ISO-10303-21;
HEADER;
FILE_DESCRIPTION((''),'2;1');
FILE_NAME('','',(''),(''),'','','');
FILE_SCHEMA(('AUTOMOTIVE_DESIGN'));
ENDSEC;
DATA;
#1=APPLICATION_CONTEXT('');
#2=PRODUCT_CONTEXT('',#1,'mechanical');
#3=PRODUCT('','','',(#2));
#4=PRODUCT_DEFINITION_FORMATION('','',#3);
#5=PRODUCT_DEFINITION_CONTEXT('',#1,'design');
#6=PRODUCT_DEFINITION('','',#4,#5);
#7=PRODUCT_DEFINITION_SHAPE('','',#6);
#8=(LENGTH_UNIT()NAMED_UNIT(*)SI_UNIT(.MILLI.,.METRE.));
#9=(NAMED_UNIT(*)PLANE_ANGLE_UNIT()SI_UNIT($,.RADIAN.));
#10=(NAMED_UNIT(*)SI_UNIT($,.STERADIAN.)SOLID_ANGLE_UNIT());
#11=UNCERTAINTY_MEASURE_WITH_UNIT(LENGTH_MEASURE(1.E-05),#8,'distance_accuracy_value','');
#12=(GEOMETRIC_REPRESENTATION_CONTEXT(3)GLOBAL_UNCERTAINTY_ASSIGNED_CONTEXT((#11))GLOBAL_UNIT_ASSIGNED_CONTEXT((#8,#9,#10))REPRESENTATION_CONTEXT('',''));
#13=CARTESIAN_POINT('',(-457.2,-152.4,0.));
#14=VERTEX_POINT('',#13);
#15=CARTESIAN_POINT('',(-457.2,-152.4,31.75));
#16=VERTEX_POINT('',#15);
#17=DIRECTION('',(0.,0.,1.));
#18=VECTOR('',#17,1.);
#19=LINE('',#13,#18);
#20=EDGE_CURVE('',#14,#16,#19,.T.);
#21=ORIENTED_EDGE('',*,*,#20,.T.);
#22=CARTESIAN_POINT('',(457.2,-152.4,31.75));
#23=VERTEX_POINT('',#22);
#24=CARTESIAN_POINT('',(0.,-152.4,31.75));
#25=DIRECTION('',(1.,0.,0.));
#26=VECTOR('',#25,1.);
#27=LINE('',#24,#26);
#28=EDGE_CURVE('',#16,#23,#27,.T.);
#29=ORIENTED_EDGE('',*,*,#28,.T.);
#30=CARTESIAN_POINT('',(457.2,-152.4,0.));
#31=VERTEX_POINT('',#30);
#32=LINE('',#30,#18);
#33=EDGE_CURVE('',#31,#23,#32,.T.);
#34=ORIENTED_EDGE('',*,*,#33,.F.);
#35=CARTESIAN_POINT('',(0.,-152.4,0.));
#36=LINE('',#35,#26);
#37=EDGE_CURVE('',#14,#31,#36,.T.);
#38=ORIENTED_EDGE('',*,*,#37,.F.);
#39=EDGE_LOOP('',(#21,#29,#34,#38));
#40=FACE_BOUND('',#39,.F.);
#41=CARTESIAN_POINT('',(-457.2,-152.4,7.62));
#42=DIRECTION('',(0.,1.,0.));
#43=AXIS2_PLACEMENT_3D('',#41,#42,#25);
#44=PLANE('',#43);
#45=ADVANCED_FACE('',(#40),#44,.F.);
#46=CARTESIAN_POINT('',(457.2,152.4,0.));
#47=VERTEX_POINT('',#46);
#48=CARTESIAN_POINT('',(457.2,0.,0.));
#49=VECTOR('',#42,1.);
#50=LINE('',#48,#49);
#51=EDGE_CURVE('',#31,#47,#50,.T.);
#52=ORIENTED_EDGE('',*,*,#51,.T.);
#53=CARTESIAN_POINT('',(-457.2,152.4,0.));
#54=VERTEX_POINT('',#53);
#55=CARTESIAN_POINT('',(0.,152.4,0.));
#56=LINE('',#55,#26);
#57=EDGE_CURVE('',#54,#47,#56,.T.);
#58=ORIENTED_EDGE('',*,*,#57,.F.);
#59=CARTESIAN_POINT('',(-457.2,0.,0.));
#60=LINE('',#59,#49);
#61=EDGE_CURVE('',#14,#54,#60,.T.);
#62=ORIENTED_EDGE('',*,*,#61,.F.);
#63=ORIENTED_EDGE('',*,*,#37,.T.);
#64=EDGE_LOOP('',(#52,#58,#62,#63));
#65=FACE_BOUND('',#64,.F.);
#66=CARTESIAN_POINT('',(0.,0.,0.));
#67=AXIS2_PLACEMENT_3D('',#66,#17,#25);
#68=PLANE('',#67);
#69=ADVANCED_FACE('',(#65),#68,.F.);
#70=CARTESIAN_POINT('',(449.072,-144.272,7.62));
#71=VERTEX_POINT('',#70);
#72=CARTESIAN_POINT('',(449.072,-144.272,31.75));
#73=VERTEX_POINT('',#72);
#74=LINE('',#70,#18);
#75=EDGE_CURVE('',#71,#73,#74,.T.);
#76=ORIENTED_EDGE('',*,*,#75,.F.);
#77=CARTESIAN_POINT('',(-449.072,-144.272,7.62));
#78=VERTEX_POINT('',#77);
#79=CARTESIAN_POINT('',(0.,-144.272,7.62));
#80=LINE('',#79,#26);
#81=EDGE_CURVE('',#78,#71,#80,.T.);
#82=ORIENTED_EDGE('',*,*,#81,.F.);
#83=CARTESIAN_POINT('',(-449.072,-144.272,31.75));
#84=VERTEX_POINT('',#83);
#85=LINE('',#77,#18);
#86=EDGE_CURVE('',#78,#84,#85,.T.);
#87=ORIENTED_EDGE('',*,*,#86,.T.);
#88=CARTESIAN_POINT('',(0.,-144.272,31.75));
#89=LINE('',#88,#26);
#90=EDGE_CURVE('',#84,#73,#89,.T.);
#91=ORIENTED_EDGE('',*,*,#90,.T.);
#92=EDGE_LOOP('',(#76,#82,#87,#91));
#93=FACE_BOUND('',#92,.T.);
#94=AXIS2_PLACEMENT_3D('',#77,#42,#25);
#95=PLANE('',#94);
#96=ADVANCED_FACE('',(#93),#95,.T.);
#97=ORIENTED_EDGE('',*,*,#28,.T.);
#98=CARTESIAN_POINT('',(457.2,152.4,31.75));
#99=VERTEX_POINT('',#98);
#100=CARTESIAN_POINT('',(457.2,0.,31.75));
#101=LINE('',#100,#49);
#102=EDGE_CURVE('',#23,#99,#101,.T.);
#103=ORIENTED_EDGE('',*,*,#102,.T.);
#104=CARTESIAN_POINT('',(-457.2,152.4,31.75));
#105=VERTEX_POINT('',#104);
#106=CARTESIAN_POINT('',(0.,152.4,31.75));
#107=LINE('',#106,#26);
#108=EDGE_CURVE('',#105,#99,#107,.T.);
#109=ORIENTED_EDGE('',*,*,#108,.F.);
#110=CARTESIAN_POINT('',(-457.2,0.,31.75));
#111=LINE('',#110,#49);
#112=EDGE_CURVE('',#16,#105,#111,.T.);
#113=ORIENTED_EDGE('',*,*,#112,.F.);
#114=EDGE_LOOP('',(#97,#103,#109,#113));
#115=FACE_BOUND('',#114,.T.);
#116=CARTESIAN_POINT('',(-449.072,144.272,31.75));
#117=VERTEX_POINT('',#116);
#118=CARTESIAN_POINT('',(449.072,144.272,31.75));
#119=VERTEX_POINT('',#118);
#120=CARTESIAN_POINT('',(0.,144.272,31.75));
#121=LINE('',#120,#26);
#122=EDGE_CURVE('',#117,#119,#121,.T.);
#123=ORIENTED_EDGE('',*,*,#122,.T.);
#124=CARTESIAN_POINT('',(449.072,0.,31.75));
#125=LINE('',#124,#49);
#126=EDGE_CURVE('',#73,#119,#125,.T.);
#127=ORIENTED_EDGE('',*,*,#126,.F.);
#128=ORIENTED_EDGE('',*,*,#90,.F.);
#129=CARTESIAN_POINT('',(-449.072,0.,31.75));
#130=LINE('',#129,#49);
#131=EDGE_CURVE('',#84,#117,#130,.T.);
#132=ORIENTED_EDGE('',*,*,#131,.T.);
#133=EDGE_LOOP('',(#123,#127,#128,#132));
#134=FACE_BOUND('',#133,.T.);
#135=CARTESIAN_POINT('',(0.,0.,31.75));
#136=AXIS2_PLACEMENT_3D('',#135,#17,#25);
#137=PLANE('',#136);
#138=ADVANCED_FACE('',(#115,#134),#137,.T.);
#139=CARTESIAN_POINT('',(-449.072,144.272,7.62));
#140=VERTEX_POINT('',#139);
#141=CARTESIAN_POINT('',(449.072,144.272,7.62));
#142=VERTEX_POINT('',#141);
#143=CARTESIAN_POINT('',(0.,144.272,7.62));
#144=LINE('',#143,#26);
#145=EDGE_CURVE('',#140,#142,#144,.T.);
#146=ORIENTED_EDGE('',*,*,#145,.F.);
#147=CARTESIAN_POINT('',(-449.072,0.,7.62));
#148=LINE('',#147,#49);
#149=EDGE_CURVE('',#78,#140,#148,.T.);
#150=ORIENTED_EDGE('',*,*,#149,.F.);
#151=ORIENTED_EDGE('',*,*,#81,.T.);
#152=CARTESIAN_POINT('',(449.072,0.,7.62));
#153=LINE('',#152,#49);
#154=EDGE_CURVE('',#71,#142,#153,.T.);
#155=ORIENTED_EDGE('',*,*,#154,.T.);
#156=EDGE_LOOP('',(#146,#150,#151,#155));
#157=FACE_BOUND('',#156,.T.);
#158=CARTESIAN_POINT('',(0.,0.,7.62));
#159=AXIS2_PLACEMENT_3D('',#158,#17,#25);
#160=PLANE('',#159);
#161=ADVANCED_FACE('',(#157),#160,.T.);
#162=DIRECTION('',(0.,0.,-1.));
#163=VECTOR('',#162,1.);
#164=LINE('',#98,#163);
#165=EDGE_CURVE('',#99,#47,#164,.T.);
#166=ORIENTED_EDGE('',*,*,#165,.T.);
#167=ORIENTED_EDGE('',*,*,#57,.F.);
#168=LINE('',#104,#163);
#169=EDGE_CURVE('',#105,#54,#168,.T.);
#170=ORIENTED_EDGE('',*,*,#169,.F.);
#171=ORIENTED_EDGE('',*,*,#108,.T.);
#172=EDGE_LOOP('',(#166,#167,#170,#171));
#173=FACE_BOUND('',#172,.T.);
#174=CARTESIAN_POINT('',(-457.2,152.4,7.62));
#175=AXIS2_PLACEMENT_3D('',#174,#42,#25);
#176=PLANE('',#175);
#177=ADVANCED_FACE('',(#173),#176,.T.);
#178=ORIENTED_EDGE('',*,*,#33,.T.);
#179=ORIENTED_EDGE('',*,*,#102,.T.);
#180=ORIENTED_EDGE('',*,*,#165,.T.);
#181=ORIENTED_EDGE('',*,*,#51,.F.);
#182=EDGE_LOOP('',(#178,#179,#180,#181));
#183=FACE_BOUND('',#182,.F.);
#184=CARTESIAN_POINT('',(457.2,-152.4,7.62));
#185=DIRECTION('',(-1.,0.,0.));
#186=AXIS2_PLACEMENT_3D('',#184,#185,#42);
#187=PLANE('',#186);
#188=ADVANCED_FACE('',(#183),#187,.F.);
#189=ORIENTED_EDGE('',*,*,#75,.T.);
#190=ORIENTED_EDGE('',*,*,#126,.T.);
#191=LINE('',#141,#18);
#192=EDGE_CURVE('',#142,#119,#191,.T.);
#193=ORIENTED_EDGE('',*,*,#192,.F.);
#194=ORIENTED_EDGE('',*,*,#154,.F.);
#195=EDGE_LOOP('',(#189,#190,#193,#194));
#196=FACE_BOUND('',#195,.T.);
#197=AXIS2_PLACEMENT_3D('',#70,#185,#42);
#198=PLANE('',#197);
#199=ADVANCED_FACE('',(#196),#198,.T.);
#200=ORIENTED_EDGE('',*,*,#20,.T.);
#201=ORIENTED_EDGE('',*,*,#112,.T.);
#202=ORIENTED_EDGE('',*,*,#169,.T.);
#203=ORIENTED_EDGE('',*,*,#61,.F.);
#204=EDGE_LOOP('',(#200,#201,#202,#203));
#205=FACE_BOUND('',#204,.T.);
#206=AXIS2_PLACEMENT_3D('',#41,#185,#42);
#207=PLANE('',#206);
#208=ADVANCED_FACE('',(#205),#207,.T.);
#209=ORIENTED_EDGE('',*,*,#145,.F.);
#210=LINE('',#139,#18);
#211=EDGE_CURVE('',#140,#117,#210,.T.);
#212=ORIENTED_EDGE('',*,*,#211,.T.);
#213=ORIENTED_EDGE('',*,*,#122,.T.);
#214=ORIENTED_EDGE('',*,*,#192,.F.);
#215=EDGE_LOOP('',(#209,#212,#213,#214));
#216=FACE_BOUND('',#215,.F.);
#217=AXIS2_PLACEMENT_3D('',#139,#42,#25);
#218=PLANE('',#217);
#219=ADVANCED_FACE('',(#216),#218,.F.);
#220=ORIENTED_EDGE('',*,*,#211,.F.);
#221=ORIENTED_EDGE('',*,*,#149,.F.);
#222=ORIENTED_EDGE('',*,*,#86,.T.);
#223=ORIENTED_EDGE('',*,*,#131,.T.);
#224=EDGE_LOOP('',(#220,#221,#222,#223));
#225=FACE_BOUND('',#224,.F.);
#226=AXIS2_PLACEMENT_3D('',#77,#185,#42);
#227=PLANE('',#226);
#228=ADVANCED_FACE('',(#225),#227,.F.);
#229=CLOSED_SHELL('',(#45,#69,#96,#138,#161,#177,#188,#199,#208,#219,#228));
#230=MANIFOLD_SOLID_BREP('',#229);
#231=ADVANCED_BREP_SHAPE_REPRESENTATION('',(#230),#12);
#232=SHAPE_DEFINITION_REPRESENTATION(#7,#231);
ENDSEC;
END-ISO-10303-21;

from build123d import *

# Parameters (mm, degrees)
F0_W     = 914.4
F0_H     = 304.8
F1_DEPTH = 7.62
F2_W     = 914.4
F2_H     = 304.8
F2_W_2   = 898.144
F2_H_2   = 288.544
F4_DEPTH = 24.13


with BuildPart() as f1:
    # F0 (on Top) → F1 (new body)
    with BuildSketch(Plane.XY):
        Rectangle(F0_W, F0_H)
    extrude(amount=F1_DEPTH)

    # F2 (on face) → F4 (join, through all)
    with BuildSketch(Plane.XY.offset(7.62)):
        Rectangle(F2_W, F2_H)
        Rectangle(F2_W_2, F2_H_2, mode=Mode.SUBTRACT)
    extrude(amount=F4_DEPTH)


solid = f1.part
